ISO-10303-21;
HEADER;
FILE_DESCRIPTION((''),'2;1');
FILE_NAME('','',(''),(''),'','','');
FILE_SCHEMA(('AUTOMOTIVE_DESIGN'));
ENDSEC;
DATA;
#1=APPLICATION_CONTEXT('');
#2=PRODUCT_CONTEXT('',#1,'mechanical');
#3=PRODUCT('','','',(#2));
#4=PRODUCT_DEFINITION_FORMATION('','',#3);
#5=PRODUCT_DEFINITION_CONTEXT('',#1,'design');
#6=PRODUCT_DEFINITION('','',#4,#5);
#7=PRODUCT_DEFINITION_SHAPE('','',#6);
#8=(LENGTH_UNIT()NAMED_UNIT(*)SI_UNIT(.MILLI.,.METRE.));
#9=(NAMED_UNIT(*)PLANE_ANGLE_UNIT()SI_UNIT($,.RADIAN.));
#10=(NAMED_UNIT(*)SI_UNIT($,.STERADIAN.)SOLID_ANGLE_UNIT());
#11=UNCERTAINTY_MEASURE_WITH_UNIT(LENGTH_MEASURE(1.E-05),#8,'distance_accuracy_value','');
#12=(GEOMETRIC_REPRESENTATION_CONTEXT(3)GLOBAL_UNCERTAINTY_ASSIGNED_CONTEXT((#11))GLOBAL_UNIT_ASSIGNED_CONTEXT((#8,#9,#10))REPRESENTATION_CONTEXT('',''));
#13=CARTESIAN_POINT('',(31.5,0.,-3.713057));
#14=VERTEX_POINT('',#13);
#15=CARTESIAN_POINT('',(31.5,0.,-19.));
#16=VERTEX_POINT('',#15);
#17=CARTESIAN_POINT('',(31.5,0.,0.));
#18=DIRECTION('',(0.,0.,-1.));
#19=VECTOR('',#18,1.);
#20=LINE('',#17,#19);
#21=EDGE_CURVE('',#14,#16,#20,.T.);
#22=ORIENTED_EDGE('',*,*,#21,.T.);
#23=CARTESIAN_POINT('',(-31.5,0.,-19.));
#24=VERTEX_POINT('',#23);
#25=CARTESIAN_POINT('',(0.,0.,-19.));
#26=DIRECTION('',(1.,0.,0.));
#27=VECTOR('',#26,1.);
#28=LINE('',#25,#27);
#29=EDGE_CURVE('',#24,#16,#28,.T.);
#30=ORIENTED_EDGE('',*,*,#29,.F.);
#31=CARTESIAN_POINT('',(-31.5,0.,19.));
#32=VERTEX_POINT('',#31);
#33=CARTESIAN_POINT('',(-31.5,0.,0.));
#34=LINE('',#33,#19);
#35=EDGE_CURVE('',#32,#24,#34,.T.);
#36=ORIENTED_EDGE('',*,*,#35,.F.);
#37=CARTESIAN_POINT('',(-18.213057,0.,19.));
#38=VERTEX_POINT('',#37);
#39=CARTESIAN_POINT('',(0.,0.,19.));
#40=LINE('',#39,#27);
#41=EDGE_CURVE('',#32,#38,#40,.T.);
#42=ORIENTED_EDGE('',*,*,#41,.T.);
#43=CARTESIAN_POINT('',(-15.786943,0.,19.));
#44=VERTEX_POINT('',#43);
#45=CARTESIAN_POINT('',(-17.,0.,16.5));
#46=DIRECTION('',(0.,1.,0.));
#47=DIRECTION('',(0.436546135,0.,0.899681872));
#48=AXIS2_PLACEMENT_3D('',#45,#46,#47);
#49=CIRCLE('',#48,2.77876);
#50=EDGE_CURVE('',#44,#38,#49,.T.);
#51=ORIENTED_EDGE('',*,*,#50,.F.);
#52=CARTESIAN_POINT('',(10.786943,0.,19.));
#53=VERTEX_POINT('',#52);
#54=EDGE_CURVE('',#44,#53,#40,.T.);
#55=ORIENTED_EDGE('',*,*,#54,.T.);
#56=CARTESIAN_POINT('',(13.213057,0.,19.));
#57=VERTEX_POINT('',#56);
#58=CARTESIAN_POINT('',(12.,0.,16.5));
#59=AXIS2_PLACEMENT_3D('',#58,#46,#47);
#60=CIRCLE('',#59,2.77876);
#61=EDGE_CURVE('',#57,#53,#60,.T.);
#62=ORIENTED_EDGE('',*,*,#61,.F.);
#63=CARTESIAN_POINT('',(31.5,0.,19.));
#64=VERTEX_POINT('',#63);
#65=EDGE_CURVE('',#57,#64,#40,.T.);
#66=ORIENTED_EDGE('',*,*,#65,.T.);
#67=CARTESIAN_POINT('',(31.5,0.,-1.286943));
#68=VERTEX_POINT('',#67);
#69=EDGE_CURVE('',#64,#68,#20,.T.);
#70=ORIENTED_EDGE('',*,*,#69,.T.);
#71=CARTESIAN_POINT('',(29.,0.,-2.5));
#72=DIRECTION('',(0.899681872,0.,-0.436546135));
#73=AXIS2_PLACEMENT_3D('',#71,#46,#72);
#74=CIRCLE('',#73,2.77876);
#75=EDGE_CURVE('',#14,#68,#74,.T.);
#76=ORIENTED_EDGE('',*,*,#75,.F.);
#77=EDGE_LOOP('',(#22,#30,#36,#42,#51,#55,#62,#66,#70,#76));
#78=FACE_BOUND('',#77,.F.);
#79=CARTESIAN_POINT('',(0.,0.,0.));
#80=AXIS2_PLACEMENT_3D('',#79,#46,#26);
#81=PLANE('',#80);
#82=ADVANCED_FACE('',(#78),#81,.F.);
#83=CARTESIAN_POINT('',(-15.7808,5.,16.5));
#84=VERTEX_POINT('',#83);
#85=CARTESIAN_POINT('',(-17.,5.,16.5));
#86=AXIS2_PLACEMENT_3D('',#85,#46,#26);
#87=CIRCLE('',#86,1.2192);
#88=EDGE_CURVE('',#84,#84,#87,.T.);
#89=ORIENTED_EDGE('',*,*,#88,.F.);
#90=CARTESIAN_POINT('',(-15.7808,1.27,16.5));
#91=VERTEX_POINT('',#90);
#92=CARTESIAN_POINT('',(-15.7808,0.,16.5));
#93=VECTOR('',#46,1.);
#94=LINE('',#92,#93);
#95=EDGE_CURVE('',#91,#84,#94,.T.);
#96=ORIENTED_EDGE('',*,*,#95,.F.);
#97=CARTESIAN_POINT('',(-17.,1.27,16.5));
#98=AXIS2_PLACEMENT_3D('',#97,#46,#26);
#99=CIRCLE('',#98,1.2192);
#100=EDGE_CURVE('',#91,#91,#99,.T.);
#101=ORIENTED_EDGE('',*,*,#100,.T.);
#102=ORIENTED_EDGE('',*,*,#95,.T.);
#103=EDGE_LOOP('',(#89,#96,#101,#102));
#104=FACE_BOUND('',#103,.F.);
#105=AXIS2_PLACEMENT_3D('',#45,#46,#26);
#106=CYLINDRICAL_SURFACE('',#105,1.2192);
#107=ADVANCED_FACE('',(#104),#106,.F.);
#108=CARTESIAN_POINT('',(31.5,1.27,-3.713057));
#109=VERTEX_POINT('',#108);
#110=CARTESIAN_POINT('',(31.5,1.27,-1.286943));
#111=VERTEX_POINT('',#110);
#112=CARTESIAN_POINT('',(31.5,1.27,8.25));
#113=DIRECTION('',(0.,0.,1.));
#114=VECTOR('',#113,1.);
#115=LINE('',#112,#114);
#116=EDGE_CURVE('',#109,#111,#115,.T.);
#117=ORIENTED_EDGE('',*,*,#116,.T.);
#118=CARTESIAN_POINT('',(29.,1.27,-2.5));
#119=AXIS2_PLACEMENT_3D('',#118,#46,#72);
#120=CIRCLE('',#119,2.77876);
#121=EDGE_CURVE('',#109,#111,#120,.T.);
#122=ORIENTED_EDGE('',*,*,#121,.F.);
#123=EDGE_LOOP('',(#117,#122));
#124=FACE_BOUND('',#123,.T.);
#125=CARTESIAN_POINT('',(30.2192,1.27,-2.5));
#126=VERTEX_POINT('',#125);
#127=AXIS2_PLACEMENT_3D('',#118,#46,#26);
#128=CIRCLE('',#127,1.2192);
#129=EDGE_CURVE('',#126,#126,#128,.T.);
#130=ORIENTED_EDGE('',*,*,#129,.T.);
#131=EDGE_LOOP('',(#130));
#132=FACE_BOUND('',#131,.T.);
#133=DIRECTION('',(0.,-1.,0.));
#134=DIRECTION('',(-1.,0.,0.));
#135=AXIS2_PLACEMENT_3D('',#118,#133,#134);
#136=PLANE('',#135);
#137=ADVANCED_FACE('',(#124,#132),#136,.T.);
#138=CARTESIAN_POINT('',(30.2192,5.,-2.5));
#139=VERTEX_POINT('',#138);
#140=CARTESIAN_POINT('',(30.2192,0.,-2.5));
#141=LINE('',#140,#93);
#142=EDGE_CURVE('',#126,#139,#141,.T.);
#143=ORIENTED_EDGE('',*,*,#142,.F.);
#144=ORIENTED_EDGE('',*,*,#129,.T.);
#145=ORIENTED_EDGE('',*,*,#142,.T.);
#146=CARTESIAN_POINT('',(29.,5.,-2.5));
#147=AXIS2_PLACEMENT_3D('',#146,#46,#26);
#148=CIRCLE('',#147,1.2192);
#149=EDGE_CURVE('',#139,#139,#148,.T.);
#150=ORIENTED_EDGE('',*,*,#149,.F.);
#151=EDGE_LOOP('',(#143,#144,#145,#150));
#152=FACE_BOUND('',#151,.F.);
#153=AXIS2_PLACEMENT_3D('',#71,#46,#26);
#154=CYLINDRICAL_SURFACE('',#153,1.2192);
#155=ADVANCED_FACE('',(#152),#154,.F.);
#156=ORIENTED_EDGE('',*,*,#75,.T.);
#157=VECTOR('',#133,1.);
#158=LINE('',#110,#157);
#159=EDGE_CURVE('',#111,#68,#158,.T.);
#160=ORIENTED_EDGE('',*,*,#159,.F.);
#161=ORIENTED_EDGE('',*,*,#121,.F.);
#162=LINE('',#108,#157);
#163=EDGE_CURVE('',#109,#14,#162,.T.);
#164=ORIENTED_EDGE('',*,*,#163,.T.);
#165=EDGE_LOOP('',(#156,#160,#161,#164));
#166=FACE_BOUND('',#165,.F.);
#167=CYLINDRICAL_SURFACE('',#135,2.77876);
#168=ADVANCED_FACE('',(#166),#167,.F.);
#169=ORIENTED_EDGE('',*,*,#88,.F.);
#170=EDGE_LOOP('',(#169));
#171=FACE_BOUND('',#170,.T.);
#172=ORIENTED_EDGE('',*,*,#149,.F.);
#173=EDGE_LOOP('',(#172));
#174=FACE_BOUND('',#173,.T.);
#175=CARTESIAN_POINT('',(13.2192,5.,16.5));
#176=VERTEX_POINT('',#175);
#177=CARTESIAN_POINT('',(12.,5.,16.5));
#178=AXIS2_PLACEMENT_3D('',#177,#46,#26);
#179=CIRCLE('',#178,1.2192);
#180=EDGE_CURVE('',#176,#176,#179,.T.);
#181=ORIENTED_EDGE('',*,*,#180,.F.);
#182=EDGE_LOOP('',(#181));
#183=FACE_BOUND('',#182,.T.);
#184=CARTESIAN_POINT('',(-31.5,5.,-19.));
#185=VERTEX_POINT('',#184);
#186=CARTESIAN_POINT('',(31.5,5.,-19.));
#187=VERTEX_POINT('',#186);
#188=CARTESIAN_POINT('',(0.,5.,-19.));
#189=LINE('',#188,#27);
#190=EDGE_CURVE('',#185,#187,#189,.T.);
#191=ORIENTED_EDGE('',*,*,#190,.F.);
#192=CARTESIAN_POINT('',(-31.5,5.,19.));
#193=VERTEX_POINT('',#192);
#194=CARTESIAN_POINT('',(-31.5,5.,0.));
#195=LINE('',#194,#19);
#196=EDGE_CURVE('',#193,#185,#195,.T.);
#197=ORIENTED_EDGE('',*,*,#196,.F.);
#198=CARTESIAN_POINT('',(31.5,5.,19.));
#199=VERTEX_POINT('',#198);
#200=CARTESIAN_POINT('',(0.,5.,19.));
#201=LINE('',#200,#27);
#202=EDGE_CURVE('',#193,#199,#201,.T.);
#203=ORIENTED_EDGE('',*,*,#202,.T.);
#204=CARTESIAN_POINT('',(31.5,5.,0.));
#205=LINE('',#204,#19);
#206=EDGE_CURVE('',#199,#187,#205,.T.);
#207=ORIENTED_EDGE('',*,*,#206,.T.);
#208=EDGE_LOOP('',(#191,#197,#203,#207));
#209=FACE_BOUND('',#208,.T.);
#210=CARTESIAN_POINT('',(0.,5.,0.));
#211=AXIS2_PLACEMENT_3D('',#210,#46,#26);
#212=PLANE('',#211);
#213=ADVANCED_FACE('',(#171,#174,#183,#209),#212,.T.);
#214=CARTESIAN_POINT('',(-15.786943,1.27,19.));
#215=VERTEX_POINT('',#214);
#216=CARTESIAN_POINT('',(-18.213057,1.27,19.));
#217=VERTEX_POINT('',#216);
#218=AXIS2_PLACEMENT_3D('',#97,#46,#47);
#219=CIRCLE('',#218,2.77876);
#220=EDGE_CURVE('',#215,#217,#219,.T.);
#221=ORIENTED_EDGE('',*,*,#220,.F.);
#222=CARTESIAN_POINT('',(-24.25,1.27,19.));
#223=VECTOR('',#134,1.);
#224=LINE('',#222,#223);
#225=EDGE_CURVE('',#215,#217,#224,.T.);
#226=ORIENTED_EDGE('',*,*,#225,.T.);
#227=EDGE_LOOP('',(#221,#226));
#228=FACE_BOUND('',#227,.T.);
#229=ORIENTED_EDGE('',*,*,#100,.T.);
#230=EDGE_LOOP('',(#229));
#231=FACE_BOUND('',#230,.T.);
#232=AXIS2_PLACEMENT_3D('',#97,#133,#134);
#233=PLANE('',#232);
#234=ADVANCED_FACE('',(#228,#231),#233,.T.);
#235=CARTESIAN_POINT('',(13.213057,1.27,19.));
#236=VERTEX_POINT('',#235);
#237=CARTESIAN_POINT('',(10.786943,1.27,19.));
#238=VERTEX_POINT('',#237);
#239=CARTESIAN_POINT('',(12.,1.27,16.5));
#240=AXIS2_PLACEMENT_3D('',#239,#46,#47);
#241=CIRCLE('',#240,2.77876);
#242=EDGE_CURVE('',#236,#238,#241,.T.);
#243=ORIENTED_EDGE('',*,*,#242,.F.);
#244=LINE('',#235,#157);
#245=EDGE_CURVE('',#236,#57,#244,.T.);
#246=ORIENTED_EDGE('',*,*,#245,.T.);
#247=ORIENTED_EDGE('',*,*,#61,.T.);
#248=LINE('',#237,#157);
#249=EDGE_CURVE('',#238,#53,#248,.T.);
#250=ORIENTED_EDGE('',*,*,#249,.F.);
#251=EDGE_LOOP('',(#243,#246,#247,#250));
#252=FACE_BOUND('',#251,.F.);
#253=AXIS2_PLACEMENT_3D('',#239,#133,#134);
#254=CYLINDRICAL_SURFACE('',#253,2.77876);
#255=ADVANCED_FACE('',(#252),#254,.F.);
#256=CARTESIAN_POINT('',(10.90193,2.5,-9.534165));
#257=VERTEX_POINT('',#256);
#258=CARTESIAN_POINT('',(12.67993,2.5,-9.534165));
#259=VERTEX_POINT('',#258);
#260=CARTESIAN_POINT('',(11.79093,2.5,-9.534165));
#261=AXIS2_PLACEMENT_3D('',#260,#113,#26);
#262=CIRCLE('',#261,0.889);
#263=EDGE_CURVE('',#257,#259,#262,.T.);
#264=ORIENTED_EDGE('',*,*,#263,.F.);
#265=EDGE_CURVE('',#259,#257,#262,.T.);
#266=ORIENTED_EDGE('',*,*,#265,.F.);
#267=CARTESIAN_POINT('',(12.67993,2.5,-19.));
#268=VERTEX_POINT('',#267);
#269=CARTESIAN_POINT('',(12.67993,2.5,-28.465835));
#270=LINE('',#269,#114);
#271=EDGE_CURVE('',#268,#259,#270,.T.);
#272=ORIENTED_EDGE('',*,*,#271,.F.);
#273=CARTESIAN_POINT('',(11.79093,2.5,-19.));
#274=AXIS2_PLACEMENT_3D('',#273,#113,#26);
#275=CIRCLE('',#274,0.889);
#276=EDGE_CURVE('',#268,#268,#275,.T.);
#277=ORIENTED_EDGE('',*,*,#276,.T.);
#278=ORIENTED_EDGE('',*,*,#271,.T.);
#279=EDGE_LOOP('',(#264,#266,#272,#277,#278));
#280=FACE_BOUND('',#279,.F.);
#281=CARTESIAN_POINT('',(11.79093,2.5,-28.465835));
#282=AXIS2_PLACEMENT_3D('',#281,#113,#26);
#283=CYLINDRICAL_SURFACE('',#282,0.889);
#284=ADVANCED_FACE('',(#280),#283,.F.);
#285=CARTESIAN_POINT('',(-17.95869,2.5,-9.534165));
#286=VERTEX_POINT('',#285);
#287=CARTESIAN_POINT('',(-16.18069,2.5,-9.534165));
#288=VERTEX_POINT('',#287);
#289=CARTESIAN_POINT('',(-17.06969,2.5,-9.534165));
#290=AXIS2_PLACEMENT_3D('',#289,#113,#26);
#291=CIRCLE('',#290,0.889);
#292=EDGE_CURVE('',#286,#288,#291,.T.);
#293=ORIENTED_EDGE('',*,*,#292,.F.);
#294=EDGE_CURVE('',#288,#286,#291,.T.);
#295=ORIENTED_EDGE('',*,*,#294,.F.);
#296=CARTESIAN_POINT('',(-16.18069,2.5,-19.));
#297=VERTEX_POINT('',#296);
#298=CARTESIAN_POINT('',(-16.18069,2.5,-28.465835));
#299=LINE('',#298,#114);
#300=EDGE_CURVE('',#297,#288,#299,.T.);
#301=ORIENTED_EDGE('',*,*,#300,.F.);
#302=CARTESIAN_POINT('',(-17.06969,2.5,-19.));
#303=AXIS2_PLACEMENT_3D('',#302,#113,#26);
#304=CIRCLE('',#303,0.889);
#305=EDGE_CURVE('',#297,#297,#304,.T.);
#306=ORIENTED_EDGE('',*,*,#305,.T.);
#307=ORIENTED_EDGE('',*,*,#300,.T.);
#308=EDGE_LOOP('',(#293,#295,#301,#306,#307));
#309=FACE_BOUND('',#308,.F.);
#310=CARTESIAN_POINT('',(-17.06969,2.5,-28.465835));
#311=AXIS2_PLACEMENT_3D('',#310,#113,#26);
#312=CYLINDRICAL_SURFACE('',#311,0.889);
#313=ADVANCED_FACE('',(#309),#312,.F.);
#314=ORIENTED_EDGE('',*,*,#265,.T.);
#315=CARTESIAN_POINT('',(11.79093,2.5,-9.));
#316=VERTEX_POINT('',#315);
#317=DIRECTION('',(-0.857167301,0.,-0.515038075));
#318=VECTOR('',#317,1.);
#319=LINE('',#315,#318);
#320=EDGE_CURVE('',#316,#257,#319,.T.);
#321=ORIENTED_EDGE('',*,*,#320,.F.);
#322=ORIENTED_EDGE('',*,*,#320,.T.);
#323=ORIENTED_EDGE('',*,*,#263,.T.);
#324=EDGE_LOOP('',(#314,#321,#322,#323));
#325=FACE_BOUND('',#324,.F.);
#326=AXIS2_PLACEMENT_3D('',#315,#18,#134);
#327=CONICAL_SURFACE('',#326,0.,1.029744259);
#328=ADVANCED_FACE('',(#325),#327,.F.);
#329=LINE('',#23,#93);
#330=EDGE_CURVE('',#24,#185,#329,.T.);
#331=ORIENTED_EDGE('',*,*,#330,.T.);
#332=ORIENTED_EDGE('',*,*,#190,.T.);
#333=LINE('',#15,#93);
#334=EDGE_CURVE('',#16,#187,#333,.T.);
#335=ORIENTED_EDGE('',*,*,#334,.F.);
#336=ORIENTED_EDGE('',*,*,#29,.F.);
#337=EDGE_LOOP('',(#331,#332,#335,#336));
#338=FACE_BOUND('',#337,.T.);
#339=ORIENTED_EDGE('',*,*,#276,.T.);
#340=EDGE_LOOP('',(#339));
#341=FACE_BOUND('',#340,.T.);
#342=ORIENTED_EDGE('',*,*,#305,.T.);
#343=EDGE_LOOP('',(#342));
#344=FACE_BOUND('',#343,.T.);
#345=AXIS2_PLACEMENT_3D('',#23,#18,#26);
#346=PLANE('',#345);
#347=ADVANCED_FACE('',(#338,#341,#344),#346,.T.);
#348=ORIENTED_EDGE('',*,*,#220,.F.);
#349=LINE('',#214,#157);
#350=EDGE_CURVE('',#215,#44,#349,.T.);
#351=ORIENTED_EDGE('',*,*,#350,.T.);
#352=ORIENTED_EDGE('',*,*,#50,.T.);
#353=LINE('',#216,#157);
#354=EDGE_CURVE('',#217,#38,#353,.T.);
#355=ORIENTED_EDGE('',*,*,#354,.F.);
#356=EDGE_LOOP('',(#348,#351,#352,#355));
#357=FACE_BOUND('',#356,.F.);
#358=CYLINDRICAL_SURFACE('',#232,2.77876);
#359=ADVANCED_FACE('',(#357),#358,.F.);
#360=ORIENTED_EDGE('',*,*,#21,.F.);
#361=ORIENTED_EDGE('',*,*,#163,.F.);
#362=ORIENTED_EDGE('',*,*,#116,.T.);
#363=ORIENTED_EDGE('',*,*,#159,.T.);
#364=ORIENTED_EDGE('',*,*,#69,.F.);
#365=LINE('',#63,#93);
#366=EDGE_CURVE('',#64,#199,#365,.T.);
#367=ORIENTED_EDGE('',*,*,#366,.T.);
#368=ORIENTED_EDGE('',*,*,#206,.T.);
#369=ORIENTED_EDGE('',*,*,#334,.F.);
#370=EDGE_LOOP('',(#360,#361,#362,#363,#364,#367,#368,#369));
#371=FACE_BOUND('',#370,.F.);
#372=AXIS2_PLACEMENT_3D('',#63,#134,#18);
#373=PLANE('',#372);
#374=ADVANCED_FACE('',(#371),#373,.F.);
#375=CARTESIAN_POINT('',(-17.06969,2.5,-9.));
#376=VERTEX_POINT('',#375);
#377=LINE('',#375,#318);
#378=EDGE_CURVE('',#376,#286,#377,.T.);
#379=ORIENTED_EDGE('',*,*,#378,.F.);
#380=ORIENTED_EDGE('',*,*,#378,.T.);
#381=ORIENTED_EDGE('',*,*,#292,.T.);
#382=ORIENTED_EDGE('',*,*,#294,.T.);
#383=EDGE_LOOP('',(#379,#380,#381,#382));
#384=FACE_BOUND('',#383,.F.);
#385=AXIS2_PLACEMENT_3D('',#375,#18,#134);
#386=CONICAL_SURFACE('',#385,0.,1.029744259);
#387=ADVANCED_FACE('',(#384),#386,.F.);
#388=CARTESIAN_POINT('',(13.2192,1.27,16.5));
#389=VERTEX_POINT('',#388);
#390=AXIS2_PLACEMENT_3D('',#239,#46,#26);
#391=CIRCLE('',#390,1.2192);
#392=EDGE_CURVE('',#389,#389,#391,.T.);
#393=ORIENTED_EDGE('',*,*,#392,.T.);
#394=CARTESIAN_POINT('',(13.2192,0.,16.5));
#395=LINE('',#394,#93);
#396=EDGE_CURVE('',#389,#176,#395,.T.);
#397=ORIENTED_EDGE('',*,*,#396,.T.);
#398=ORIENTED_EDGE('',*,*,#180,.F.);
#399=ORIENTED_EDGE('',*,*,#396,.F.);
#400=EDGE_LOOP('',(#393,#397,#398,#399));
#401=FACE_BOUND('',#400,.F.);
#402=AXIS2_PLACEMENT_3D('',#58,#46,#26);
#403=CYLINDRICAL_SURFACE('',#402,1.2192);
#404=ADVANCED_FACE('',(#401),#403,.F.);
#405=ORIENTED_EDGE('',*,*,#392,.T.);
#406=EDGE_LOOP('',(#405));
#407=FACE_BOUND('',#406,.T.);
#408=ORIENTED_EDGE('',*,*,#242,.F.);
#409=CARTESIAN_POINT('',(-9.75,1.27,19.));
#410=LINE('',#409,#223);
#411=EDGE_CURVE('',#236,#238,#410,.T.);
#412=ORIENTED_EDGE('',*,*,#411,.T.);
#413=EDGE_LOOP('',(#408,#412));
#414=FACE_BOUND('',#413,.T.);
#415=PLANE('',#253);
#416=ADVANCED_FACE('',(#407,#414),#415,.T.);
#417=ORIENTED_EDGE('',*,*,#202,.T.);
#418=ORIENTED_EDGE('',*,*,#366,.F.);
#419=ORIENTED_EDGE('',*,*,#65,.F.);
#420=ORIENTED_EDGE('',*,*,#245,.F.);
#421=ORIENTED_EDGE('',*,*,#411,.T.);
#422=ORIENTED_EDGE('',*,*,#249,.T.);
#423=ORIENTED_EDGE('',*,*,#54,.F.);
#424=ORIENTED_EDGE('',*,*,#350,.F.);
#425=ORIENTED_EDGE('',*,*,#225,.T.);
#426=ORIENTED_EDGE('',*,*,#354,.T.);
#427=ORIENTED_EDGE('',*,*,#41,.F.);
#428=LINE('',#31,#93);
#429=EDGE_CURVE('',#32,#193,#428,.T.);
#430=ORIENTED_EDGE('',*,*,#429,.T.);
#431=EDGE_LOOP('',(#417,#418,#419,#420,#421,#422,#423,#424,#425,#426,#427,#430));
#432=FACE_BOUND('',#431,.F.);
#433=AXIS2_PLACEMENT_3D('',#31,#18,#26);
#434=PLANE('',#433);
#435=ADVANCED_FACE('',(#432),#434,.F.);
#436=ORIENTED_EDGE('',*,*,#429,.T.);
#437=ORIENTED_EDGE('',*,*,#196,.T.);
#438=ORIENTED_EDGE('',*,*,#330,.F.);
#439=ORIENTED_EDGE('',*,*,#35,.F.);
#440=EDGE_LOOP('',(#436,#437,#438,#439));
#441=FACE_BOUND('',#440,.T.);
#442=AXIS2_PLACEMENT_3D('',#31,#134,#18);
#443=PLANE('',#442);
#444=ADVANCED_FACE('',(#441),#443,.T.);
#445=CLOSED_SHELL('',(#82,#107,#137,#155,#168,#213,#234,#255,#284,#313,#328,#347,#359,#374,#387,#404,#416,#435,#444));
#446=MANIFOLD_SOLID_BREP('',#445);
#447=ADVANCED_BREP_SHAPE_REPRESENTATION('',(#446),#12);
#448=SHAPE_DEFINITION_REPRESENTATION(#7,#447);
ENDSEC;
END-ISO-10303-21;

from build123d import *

# Parameters (mm, degrees)
SKETCH1_W                                           = 63
SKETCH1_H                                           = 38
BOSS_EXTRUDE1_DEPTH                                 = 5
CBORE_FOR_2_BINDING_HEAD_MACHINE_SCREW2_D           = 2.4384
CBORE_FOR_2_BINDING_HEAD_MACHINE_SCREW2_CBORE_D     = 5.55752
CBORE_FOR_2_BINDING_HEAD_MACHINE_SCREW2_CBORE_DEPTH = 1.27
CBORE_FOR_2_BINDING_HEAD_MACHINE_SCREW3_D           = 2.4384
CBORE_FOR_2_BINDING_HEAD_MACHINE_SCREW3_CBORE_D     = 5.55752
CBORE_FOR_2_BINDING_HEAD_MACHINE_SCREW3_CBORE_DEPTH = 1.27
F_2_56_TAPPED_HOLE1_D                               = 1.778
F_2_56_TAPPED_HOLE1_DEPTH                           = 9.46583491
F_2_56_TAPPED_HOLE1_TIP                             = 0.53416509


with BuildPart() as part:
    # Sketch1 → Boss-Extrude1 (new body)
    with BuildSketch(Plane(origin=(0, 0, 0), x_dir=(1, 0, 0), z_dir=(0, 1, 0))):
        Rectangle(SKETCH1_W, SKETCH1_H)
    extrude(amount=BOSS_EXTRUDE1_DEPTH)

    # CBORE for #2 Binding Head Machine Screw2 (through all)
    with Locations(Plane(origin=(0, 0, 0), x_dir=(-1, 0, 0), z_dir=(0, -1, 0))):
        with Locations((-29, 2.5)):
            CounterBoreHole(CBORE_FOR_2_BINDING_HEAD_MACHINE_SCREW2_D / 2, CBORE_FOR_2_BINDING_HEAD_MACHINE_SCREW2_CBORE_D / 2, CBORE_FOR_2_BINDING_HEAD_MACHINE_SCREW2_CBORE_DEPTH)

    # CBORE for #2 Binding Head Machine Screw3 (through all)
    with Locations(Plane(origin=(0, 0, 0), x_dir=(-1, 0, 0), z_dir=(0, -1, 0))):
        with Locations((-12, -16.5), (17, -16.5)):
            CounterBoreHole(CBORE_FOR_2_BINDING_HEAD_MACHINE_SCREW3_D / 2, CBORE_FOR_2_BINDING_HEAD_MACHINE_SCREW3_CBORE_D / 2, CBORE_FOR_2_BINDING_HEAD_MACHINE_SCREW3_CBORE_DEPTH)

    # #2-56 Tapped Hole1
    with Locations(Plane(origin=(0, 0, -19), x_dir=(-1, 0, 0), z_dir=(0, 0, -1))):
        with Locations((-11.79093, 2.5), (17.06969, 2.5)):
            Hole(F_2_56_TAPPED_HOLE1_D / 2, depth=F_2_56_TAPPED_HOLE1_DEPTH)
            with Locations((0, 0, -(F_2_56_TAPPED_HOLE1_DEPTH + F_2_56_TAPPED_HOLE1_TIP / 2))):  # 118° drill point
                Cone(0, F_2_56_TAPPED_HOLE1_D / 2, F_2_56_TAPPED_HOLE1_TIP, mode=Mode.SUBTRACT)


solid = part.part
